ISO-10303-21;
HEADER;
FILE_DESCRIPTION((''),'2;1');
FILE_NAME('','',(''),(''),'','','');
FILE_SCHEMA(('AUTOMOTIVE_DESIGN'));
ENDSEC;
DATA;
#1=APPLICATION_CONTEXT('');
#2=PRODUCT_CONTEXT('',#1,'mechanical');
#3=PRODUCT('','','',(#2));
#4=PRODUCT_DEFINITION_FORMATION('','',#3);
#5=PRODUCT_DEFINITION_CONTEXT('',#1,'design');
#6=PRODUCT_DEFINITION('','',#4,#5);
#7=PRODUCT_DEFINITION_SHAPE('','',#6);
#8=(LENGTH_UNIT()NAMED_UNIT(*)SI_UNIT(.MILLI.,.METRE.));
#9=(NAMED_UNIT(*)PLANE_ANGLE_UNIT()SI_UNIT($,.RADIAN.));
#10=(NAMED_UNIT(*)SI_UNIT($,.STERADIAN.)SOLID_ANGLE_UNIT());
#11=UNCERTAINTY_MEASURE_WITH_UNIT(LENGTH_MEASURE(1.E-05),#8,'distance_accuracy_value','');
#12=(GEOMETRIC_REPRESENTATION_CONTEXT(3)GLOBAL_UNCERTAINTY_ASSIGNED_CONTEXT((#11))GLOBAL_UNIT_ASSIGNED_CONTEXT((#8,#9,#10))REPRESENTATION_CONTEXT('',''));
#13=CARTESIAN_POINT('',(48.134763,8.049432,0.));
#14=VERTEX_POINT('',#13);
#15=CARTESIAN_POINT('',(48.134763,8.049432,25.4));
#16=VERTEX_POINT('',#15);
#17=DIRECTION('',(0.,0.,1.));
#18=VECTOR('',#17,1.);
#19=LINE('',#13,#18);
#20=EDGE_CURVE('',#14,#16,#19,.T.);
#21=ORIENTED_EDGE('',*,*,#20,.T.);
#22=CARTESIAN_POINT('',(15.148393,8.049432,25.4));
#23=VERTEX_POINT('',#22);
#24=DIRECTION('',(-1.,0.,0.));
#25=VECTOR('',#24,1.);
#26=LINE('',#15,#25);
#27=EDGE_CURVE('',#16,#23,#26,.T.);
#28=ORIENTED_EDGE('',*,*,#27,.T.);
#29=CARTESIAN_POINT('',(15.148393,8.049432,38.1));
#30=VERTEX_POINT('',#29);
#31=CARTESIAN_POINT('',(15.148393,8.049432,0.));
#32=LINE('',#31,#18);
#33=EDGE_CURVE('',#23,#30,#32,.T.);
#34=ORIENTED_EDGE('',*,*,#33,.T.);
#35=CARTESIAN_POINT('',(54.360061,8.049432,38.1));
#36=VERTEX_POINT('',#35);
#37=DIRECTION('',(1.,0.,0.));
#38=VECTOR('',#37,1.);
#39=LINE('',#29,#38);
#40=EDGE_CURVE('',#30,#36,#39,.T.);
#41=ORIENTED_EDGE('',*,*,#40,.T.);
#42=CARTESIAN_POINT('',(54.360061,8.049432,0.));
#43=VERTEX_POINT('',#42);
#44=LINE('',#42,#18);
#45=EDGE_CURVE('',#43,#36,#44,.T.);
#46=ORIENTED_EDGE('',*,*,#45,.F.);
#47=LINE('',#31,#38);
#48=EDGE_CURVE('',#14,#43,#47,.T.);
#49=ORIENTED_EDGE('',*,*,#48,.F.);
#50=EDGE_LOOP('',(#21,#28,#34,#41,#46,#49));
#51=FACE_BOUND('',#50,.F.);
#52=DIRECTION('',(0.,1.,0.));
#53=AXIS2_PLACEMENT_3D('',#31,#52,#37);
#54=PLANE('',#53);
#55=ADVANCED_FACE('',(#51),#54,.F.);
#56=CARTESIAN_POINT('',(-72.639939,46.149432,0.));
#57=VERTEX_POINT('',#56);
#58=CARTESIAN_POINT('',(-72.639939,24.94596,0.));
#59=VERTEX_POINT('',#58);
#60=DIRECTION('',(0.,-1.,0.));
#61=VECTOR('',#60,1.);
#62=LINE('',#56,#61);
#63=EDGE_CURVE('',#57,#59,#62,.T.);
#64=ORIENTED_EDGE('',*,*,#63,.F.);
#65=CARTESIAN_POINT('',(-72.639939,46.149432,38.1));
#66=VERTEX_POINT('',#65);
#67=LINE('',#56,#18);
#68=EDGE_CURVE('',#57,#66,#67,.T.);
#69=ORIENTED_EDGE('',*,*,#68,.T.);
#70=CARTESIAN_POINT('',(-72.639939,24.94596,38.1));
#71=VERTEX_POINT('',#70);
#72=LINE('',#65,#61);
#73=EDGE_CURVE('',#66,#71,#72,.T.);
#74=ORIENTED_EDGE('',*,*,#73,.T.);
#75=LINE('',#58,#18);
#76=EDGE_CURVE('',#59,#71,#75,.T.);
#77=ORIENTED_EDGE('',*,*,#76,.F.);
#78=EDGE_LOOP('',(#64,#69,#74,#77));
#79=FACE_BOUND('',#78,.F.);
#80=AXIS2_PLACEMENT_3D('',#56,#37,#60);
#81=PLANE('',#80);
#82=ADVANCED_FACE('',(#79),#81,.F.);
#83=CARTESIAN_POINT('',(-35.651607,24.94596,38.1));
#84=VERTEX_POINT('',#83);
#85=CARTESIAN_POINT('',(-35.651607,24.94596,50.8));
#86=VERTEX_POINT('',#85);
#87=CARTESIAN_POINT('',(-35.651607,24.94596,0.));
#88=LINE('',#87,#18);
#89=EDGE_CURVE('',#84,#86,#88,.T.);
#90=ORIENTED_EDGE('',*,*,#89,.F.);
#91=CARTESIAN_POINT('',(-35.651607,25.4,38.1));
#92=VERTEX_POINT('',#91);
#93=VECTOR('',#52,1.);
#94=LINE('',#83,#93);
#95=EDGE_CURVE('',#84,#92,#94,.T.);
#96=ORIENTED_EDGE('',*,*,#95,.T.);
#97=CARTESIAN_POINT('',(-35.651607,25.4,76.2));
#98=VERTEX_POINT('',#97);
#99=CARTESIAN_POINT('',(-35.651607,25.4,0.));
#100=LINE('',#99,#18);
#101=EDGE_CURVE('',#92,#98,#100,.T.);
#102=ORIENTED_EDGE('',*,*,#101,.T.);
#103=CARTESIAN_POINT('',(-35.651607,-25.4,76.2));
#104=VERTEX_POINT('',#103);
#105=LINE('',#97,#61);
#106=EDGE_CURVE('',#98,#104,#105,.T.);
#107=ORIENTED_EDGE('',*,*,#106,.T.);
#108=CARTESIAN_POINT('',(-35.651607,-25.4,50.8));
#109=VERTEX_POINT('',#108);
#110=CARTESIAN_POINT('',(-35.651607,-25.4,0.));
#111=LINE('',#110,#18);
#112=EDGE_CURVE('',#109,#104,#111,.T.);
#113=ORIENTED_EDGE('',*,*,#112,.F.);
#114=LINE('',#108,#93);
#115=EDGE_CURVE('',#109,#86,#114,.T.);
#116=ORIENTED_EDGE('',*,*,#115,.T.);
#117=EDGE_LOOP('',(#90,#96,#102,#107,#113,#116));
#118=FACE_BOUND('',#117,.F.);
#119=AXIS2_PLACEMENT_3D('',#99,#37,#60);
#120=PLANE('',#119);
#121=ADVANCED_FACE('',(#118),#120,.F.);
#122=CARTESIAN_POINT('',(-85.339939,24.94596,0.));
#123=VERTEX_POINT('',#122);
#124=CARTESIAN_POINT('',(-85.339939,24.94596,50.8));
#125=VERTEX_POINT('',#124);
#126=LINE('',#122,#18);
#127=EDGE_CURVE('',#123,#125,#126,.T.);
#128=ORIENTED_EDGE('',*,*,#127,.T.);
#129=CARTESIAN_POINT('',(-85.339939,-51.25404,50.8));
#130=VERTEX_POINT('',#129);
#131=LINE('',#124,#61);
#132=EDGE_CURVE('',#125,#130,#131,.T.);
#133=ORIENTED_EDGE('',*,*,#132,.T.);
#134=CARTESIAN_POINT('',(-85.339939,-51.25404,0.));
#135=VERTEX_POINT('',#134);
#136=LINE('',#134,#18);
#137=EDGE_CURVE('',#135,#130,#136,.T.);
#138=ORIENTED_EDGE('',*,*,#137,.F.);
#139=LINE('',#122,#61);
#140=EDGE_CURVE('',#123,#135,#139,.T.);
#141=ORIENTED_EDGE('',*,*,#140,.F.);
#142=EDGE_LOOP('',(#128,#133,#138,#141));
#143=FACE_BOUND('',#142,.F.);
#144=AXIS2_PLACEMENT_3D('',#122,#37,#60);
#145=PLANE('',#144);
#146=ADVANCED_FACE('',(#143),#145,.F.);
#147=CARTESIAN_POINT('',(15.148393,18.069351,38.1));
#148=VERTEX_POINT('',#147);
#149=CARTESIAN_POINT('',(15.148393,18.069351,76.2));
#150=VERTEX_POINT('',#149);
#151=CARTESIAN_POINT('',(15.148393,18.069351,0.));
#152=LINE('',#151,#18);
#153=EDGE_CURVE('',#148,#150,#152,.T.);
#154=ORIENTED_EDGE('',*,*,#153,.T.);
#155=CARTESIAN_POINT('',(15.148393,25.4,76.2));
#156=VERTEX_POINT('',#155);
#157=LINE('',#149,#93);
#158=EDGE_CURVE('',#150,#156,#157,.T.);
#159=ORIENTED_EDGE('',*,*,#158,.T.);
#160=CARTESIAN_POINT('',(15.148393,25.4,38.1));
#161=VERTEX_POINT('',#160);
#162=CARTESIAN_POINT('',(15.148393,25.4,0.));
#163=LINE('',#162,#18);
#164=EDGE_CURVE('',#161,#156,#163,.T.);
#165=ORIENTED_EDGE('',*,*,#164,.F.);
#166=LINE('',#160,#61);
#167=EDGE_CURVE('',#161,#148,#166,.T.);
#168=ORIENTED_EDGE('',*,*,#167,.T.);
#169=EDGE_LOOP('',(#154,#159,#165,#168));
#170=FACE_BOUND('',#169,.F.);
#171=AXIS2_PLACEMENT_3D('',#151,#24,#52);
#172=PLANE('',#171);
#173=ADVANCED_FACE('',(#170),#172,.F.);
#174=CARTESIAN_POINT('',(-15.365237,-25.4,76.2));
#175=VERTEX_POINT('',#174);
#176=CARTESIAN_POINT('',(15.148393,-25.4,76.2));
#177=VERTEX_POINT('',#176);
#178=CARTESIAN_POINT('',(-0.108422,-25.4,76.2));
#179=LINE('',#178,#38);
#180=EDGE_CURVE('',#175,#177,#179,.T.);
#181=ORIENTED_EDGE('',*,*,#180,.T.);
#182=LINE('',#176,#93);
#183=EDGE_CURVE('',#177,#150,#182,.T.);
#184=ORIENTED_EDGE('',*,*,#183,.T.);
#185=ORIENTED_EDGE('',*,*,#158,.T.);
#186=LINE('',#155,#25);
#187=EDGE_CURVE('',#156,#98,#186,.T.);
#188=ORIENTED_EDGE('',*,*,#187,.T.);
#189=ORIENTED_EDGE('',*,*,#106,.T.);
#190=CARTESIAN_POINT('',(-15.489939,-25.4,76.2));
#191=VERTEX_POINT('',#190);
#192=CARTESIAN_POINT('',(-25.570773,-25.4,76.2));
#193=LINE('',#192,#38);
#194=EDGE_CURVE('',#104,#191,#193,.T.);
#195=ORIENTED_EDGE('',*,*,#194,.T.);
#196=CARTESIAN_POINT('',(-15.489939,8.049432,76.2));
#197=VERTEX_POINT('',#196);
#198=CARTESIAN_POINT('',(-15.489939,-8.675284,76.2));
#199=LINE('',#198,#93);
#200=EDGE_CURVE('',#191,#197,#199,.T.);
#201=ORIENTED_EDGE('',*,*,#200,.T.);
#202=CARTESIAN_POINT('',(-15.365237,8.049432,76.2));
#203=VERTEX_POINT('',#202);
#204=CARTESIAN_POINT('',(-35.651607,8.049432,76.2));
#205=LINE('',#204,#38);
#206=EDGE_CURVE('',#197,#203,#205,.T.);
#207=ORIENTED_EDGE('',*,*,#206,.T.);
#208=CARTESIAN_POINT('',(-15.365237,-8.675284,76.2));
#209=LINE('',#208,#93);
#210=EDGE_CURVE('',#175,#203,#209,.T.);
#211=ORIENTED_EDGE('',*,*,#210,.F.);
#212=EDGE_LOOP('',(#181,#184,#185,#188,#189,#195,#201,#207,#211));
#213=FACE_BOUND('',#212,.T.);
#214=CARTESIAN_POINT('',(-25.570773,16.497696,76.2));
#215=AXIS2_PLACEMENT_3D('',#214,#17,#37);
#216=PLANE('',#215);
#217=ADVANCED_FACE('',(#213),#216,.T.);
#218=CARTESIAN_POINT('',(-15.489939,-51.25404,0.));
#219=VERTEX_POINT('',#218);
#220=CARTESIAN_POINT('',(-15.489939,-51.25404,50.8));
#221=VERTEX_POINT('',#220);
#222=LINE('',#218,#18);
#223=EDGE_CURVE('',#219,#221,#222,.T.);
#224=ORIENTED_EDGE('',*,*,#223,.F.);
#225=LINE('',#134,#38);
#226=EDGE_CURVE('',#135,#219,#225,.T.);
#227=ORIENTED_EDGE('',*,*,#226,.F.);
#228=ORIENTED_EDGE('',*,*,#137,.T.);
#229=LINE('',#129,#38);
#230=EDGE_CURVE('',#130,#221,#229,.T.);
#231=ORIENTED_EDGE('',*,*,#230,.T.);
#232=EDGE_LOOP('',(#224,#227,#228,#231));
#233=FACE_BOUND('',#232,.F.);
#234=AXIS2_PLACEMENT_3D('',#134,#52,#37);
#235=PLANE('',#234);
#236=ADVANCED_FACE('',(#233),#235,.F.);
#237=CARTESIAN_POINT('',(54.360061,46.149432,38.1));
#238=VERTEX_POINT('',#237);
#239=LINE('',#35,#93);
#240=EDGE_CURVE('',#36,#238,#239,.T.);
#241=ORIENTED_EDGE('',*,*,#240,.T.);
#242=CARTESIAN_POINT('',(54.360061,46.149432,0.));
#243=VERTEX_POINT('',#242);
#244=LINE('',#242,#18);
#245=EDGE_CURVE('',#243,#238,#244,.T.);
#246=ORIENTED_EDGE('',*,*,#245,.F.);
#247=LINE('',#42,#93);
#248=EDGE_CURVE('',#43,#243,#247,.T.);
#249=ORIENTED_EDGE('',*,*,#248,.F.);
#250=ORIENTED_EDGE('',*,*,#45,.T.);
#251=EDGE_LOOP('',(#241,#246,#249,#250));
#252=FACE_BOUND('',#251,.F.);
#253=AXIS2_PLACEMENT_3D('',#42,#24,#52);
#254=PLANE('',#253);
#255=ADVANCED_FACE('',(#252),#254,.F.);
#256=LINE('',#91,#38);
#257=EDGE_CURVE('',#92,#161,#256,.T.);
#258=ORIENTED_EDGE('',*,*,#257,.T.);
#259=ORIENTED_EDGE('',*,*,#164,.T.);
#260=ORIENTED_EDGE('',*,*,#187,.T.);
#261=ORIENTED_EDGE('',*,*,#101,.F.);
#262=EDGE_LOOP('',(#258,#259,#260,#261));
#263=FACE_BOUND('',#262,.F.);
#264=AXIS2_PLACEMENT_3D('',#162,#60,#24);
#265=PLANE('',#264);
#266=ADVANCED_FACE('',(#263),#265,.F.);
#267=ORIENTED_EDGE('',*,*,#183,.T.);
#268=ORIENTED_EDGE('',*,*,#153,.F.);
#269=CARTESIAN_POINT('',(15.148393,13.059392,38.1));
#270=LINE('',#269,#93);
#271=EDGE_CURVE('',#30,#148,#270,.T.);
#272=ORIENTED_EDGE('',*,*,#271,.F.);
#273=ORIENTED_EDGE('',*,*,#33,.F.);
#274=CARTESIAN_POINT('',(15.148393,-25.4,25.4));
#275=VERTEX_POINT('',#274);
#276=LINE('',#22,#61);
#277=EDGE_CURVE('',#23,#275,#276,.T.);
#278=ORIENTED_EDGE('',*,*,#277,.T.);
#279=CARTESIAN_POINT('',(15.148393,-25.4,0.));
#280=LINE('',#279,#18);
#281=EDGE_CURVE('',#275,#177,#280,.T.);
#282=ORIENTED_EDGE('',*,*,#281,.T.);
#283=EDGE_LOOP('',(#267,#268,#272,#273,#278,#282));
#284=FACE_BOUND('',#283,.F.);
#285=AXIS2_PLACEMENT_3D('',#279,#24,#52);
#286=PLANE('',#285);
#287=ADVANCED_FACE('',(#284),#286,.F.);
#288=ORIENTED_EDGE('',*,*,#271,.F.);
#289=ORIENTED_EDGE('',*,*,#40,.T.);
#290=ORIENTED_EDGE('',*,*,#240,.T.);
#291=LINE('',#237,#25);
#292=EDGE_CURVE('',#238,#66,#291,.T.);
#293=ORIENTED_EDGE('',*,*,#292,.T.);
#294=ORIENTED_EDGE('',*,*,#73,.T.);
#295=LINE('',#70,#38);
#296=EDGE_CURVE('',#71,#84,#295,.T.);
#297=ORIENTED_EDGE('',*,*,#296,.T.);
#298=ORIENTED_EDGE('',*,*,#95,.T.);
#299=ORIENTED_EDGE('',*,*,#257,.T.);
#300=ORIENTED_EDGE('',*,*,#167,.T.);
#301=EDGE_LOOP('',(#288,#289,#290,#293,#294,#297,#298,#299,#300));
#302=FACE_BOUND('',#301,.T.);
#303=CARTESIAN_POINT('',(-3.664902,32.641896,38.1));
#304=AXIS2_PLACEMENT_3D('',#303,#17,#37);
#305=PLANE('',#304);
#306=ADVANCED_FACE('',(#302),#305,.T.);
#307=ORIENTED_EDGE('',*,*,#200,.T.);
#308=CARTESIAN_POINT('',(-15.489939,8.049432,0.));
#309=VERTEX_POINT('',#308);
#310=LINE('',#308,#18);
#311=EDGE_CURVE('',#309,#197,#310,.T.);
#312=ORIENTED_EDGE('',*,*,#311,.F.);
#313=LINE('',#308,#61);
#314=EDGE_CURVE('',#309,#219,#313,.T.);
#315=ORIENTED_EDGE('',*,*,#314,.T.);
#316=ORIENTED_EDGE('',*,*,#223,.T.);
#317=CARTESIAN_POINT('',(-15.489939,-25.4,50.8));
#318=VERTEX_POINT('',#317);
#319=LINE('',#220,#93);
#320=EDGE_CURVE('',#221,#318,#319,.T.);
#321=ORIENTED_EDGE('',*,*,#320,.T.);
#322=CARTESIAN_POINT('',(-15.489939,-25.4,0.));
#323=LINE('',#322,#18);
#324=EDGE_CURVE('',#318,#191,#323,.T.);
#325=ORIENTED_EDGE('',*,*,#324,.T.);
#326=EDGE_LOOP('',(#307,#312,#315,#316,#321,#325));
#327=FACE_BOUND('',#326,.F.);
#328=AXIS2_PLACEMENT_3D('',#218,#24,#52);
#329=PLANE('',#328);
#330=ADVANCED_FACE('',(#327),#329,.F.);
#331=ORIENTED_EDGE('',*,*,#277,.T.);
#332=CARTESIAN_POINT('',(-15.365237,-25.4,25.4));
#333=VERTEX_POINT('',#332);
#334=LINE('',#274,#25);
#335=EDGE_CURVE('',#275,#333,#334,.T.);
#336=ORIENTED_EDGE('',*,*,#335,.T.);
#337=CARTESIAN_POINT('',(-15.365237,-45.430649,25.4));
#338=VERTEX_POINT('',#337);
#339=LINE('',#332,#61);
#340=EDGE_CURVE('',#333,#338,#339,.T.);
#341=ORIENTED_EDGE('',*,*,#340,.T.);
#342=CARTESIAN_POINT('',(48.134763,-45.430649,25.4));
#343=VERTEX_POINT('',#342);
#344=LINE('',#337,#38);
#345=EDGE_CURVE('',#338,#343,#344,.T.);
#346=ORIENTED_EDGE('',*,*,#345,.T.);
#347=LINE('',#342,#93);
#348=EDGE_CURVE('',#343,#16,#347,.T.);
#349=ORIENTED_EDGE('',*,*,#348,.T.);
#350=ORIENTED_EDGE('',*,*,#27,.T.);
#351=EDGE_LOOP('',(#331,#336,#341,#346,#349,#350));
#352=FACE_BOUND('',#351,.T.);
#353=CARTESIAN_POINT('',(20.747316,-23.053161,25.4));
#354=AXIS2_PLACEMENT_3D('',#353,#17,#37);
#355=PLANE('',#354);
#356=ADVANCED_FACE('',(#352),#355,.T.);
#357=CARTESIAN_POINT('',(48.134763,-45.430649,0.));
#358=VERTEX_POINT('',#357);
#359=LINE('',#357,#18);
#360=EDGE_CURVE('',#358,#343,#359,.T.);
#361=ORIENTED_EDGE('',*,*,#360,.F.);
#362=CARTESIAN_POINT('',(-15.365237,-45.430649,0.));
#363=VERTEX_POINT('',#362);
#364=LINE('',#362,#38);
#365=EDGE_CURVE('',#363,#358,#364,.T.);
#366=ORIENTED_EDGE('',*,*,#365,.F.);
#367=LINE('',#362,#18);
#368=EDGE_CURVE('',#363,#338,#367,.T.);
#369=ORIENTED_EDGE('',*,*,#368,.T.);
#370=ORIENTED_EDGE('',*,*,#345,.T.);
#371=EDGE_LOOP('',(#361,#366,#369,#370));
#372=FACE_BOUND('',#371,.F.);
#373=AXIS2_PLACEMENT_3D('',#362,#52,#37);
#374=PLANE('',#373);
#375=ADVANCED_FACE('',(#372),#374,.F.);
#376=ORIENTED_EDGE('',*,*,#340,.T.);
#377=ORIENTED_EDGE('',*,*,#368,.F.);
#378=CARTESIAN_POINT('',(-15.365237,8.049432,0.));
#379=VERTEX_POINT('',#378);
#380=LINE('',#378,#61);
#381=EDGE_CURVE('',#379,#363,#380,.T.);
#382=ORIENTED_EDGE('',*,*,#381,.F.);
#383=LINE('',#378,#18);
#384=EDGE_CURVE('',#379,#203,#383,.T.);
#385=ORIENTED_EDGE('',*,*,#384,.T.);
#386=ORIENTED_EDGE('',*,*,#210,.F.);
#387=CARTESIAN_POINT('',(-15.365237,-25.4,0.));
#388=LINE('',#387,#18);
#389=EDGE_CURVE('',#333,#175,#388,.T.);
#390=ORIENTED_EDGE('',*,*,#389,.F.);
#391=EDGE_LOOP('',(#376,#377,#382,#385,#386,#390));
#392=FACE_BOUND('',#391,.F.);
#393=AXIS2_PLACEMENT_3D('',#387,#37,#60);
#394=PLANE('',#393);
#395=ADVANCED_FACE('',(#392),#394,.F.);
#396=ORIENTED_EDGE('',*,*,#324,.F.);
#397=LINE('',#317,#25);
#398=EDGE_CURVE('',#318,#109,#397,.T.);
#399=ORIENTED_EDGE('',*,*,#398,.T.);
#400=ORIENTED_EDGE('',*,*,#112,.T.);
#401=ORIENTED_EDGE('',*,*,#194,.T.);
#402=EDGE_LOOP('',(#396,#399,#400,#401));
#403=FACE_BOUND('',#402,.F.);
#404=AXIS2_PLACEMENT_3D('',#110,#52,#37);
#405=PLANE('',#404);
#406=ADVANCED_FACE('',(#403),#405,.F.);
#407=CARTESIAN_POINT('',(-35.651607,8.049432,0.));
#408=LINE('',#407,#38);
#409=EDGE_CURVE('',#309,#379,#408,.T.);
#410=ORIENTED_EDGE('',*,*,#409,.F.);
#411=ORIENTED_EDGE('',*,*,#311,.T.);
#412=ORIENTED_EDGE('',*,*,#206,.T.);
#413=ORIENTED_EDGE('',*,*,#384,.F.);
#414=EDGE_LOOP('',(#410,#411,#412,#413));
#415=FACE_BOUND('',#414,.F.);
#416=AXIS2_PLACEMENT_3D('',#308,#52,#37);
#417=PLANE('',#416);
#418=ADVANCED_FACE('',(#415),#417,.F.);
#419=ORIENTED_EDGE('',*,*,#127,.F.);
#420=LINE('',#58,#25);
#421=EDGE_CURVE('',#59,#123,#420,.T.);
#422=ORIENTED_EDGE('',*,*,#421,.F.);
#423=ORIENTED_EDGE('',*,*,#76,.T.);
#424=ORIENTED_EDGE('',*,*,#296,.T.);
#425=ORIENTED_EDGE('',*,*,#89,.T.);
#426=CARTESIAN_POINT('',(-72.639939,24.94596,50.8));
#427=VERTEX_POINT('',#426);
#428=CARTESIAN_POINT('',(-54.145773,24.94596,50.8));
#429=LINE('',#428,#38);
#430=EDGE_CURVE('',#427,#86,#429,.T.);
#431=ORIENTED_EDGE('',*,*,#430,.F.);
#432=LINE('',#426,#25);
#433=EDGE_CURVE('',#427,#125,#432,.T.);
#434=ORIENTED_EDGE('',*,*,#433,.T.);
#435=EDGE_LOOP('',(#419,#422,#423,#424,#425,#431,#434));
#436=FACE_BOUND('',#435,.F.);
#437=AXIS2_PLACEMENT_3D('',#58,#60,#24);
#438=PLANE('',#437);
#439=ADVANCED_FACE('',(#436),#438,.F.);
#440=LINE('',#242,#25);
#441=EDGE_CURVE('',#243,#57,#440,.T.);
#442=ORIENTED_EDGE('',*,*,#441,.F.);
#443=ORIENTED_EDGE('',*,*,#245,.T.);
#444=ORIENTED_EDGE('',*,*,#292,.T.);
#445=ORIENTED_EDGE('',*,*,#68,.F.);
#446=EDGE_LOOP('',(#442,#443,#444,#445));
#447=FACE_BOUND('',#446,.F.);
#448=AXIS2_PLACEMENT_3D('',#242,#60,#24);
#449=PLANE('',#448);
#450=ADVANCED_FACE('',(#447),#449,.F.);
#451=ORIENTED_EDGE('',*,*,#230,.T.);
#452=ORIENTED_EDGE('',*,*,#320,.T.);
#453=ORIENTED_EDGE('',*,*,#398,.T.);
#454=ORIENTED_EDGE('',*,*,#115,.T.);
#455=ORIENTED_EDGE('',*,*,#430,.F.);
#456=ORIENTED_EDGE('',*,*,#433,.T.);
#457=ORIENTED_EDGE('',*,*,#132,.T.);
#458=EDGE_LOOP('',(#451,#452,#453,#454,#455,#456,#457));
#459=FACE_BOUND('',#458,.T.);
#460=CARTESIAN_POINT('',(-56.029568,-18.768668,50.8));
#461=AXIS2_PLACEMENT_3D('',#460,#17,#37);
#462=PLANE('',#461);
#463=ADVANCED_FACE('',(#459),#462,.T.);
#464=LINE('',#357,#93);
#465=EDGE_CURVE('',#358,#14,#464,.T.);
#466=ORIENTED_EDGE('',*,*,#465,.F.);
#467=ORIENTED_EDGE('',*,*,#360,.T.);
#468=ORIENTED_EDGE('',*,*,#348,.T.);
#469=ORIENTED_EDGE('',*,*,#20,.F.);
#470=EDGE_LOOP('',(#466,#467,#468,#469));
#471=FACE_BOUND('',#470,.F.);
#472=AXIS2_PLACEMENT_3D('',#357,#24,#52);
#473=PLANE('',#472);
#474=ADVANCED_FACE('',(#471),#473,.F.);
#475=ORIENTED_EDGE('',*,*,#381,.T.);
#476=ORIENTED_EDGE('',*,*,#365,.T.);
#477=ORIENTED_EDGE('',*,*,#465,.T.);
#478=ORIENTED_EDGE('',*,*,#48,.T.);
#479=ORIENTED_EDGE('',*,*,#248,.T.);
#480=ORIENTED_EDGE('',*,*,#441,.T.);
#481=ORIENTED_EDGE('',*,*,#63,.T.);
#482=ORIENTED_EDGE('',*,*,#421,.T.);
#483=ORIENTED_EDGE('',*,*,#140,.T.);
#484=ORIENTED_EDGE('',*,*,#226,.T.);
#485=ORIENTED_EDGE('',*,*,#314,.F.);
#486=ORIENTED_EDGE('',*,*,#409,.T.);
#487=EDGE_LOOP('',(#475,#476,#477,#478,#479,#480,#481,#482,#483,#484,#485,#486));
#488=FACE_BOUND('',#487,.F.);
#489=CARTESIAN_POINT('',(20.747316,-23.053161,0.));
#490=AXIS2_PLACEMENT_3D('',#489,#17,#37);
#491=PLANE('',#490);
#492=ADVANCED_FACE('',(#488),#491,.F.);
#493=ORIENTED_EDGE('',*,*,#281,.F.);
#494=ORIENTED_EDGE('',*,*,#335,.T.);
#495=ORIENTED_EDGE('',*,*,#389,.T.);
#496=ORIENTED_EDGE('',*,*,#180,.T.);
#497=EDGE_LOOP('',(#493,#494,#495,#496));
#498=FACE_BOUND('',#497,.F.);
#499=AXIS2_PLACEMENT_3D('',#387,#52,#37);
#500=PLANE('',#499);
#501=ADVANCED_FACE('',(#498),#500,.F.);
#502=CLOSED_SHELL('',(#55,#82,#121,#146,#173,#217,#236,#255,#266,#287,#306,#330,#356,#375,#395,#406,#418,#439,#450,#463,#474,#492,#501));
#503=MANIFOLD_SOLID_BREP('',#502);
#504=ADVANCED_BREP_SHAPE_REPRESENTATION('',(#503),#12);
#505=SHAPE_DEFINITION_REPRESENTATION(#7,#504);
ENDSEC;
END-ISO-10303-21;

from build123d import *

# Parameters (mm, degrees)
F0_W     = 20.1616674036
F0_H     = 16.8965275351
F0_W_2   = 30.5136305556
F0_H_2   = 10.0199187398
F0_H_3   = 33.4494321883
F1_DEPTH = 76.2
F0_W_3   = 36.9883325964
F2_DEPTH = 50.8
F0_W_4   = 32.9863694444
F3_DEPTH = 38.1
F4_DEPTH = 25.4


with BuildPart() as f1:
    # F0 (on Top) → F1 (new body)
    with BuildSketch(Plane.XY):
        with Locations((-25.5707731128, 16.4976959558)):
            Rectangle(F0_W, F0_H)
        Polygon((-35.6516068146, 25.4), (-35.6516068146, 24.9459597234), (-15.489939411, 24.9459597234), (-15.489939411, 8.0494321883), (-15.3652373701, 8.0494321883), (-15.3652373701, 18.0693509281), (15.1483931854, 18.0693509281), (15.1483931854, 25.4), align=None)
        with Locations((-0.1084220923, 13.0593915582)):
            Rectangle(F0_W_2, F0_H_2)
        with Locations((-0.1084220923, -8.6752839059)):
            Rectangle(F0_W_2, F0_H_3)
        with Locations((-25.5707731128, -8.6752839059)):
            Rectangle(F0_W, F0_H_3)
    extrude(amount=F1_DEPTH)

    # F0 (on Top) → F2 (join)
    with BuildSketch(Plane.XY):
        Polygon((-72.639939411, 24.9459597234), (-85.339939411, 24.9459597234), (-85.339939411, -51.2540402766), (-15.489939411, -51.2540402766), (-15.489939411, -25.4), (-35.6516068146, -25.4), (-35.6516068146, 8.0494321883), (-72.639939411, 8.0494321883), align=None)
        with Locations((-54.1457731128, 16.4976959558)):
            Rectangle(F0_W_3, F0_H)
    extrude(amount=F2_DEPTH)

    # F0 (on Top) → F3 (join)
    with BuildSketch(Plane.XY):
        Polygon((-72.639939411, 46.1494321883), (-72.639939411, 24.9459597234), (-35.6516068146, 24.9459597234), (-35.6516068146, 25.4), (15.1483931854, 25.4), (15.1483931854, 18.0693509281), (48.1347626299, 18.0693509281), (48.1347626299, 8.0494321883), (54.360060589, 8.0494321883), (54.360060589, 46.1494321883), align=None)
        with Locations((31.6415779077, 13.0593915582)):
            Rectangle(F0_W_4, F0_H_2)
    extrude(amount=F3_DEPTH)

    # F0 (on Top) → F4 (join)
    with BuildSketch(Plane.XY):
        Polygon((15.1483931854, -25.4), (-15.3652373701, -25.4), (-15.3652373701, -45.4306490719), (48.1347626299, -45.4306490719), (48.1347626299, 8.0494321883), (15.1483931854, 8.0494321883), align=None)
    extrude(amount=F4_DEPTH)


solid = f1.part
